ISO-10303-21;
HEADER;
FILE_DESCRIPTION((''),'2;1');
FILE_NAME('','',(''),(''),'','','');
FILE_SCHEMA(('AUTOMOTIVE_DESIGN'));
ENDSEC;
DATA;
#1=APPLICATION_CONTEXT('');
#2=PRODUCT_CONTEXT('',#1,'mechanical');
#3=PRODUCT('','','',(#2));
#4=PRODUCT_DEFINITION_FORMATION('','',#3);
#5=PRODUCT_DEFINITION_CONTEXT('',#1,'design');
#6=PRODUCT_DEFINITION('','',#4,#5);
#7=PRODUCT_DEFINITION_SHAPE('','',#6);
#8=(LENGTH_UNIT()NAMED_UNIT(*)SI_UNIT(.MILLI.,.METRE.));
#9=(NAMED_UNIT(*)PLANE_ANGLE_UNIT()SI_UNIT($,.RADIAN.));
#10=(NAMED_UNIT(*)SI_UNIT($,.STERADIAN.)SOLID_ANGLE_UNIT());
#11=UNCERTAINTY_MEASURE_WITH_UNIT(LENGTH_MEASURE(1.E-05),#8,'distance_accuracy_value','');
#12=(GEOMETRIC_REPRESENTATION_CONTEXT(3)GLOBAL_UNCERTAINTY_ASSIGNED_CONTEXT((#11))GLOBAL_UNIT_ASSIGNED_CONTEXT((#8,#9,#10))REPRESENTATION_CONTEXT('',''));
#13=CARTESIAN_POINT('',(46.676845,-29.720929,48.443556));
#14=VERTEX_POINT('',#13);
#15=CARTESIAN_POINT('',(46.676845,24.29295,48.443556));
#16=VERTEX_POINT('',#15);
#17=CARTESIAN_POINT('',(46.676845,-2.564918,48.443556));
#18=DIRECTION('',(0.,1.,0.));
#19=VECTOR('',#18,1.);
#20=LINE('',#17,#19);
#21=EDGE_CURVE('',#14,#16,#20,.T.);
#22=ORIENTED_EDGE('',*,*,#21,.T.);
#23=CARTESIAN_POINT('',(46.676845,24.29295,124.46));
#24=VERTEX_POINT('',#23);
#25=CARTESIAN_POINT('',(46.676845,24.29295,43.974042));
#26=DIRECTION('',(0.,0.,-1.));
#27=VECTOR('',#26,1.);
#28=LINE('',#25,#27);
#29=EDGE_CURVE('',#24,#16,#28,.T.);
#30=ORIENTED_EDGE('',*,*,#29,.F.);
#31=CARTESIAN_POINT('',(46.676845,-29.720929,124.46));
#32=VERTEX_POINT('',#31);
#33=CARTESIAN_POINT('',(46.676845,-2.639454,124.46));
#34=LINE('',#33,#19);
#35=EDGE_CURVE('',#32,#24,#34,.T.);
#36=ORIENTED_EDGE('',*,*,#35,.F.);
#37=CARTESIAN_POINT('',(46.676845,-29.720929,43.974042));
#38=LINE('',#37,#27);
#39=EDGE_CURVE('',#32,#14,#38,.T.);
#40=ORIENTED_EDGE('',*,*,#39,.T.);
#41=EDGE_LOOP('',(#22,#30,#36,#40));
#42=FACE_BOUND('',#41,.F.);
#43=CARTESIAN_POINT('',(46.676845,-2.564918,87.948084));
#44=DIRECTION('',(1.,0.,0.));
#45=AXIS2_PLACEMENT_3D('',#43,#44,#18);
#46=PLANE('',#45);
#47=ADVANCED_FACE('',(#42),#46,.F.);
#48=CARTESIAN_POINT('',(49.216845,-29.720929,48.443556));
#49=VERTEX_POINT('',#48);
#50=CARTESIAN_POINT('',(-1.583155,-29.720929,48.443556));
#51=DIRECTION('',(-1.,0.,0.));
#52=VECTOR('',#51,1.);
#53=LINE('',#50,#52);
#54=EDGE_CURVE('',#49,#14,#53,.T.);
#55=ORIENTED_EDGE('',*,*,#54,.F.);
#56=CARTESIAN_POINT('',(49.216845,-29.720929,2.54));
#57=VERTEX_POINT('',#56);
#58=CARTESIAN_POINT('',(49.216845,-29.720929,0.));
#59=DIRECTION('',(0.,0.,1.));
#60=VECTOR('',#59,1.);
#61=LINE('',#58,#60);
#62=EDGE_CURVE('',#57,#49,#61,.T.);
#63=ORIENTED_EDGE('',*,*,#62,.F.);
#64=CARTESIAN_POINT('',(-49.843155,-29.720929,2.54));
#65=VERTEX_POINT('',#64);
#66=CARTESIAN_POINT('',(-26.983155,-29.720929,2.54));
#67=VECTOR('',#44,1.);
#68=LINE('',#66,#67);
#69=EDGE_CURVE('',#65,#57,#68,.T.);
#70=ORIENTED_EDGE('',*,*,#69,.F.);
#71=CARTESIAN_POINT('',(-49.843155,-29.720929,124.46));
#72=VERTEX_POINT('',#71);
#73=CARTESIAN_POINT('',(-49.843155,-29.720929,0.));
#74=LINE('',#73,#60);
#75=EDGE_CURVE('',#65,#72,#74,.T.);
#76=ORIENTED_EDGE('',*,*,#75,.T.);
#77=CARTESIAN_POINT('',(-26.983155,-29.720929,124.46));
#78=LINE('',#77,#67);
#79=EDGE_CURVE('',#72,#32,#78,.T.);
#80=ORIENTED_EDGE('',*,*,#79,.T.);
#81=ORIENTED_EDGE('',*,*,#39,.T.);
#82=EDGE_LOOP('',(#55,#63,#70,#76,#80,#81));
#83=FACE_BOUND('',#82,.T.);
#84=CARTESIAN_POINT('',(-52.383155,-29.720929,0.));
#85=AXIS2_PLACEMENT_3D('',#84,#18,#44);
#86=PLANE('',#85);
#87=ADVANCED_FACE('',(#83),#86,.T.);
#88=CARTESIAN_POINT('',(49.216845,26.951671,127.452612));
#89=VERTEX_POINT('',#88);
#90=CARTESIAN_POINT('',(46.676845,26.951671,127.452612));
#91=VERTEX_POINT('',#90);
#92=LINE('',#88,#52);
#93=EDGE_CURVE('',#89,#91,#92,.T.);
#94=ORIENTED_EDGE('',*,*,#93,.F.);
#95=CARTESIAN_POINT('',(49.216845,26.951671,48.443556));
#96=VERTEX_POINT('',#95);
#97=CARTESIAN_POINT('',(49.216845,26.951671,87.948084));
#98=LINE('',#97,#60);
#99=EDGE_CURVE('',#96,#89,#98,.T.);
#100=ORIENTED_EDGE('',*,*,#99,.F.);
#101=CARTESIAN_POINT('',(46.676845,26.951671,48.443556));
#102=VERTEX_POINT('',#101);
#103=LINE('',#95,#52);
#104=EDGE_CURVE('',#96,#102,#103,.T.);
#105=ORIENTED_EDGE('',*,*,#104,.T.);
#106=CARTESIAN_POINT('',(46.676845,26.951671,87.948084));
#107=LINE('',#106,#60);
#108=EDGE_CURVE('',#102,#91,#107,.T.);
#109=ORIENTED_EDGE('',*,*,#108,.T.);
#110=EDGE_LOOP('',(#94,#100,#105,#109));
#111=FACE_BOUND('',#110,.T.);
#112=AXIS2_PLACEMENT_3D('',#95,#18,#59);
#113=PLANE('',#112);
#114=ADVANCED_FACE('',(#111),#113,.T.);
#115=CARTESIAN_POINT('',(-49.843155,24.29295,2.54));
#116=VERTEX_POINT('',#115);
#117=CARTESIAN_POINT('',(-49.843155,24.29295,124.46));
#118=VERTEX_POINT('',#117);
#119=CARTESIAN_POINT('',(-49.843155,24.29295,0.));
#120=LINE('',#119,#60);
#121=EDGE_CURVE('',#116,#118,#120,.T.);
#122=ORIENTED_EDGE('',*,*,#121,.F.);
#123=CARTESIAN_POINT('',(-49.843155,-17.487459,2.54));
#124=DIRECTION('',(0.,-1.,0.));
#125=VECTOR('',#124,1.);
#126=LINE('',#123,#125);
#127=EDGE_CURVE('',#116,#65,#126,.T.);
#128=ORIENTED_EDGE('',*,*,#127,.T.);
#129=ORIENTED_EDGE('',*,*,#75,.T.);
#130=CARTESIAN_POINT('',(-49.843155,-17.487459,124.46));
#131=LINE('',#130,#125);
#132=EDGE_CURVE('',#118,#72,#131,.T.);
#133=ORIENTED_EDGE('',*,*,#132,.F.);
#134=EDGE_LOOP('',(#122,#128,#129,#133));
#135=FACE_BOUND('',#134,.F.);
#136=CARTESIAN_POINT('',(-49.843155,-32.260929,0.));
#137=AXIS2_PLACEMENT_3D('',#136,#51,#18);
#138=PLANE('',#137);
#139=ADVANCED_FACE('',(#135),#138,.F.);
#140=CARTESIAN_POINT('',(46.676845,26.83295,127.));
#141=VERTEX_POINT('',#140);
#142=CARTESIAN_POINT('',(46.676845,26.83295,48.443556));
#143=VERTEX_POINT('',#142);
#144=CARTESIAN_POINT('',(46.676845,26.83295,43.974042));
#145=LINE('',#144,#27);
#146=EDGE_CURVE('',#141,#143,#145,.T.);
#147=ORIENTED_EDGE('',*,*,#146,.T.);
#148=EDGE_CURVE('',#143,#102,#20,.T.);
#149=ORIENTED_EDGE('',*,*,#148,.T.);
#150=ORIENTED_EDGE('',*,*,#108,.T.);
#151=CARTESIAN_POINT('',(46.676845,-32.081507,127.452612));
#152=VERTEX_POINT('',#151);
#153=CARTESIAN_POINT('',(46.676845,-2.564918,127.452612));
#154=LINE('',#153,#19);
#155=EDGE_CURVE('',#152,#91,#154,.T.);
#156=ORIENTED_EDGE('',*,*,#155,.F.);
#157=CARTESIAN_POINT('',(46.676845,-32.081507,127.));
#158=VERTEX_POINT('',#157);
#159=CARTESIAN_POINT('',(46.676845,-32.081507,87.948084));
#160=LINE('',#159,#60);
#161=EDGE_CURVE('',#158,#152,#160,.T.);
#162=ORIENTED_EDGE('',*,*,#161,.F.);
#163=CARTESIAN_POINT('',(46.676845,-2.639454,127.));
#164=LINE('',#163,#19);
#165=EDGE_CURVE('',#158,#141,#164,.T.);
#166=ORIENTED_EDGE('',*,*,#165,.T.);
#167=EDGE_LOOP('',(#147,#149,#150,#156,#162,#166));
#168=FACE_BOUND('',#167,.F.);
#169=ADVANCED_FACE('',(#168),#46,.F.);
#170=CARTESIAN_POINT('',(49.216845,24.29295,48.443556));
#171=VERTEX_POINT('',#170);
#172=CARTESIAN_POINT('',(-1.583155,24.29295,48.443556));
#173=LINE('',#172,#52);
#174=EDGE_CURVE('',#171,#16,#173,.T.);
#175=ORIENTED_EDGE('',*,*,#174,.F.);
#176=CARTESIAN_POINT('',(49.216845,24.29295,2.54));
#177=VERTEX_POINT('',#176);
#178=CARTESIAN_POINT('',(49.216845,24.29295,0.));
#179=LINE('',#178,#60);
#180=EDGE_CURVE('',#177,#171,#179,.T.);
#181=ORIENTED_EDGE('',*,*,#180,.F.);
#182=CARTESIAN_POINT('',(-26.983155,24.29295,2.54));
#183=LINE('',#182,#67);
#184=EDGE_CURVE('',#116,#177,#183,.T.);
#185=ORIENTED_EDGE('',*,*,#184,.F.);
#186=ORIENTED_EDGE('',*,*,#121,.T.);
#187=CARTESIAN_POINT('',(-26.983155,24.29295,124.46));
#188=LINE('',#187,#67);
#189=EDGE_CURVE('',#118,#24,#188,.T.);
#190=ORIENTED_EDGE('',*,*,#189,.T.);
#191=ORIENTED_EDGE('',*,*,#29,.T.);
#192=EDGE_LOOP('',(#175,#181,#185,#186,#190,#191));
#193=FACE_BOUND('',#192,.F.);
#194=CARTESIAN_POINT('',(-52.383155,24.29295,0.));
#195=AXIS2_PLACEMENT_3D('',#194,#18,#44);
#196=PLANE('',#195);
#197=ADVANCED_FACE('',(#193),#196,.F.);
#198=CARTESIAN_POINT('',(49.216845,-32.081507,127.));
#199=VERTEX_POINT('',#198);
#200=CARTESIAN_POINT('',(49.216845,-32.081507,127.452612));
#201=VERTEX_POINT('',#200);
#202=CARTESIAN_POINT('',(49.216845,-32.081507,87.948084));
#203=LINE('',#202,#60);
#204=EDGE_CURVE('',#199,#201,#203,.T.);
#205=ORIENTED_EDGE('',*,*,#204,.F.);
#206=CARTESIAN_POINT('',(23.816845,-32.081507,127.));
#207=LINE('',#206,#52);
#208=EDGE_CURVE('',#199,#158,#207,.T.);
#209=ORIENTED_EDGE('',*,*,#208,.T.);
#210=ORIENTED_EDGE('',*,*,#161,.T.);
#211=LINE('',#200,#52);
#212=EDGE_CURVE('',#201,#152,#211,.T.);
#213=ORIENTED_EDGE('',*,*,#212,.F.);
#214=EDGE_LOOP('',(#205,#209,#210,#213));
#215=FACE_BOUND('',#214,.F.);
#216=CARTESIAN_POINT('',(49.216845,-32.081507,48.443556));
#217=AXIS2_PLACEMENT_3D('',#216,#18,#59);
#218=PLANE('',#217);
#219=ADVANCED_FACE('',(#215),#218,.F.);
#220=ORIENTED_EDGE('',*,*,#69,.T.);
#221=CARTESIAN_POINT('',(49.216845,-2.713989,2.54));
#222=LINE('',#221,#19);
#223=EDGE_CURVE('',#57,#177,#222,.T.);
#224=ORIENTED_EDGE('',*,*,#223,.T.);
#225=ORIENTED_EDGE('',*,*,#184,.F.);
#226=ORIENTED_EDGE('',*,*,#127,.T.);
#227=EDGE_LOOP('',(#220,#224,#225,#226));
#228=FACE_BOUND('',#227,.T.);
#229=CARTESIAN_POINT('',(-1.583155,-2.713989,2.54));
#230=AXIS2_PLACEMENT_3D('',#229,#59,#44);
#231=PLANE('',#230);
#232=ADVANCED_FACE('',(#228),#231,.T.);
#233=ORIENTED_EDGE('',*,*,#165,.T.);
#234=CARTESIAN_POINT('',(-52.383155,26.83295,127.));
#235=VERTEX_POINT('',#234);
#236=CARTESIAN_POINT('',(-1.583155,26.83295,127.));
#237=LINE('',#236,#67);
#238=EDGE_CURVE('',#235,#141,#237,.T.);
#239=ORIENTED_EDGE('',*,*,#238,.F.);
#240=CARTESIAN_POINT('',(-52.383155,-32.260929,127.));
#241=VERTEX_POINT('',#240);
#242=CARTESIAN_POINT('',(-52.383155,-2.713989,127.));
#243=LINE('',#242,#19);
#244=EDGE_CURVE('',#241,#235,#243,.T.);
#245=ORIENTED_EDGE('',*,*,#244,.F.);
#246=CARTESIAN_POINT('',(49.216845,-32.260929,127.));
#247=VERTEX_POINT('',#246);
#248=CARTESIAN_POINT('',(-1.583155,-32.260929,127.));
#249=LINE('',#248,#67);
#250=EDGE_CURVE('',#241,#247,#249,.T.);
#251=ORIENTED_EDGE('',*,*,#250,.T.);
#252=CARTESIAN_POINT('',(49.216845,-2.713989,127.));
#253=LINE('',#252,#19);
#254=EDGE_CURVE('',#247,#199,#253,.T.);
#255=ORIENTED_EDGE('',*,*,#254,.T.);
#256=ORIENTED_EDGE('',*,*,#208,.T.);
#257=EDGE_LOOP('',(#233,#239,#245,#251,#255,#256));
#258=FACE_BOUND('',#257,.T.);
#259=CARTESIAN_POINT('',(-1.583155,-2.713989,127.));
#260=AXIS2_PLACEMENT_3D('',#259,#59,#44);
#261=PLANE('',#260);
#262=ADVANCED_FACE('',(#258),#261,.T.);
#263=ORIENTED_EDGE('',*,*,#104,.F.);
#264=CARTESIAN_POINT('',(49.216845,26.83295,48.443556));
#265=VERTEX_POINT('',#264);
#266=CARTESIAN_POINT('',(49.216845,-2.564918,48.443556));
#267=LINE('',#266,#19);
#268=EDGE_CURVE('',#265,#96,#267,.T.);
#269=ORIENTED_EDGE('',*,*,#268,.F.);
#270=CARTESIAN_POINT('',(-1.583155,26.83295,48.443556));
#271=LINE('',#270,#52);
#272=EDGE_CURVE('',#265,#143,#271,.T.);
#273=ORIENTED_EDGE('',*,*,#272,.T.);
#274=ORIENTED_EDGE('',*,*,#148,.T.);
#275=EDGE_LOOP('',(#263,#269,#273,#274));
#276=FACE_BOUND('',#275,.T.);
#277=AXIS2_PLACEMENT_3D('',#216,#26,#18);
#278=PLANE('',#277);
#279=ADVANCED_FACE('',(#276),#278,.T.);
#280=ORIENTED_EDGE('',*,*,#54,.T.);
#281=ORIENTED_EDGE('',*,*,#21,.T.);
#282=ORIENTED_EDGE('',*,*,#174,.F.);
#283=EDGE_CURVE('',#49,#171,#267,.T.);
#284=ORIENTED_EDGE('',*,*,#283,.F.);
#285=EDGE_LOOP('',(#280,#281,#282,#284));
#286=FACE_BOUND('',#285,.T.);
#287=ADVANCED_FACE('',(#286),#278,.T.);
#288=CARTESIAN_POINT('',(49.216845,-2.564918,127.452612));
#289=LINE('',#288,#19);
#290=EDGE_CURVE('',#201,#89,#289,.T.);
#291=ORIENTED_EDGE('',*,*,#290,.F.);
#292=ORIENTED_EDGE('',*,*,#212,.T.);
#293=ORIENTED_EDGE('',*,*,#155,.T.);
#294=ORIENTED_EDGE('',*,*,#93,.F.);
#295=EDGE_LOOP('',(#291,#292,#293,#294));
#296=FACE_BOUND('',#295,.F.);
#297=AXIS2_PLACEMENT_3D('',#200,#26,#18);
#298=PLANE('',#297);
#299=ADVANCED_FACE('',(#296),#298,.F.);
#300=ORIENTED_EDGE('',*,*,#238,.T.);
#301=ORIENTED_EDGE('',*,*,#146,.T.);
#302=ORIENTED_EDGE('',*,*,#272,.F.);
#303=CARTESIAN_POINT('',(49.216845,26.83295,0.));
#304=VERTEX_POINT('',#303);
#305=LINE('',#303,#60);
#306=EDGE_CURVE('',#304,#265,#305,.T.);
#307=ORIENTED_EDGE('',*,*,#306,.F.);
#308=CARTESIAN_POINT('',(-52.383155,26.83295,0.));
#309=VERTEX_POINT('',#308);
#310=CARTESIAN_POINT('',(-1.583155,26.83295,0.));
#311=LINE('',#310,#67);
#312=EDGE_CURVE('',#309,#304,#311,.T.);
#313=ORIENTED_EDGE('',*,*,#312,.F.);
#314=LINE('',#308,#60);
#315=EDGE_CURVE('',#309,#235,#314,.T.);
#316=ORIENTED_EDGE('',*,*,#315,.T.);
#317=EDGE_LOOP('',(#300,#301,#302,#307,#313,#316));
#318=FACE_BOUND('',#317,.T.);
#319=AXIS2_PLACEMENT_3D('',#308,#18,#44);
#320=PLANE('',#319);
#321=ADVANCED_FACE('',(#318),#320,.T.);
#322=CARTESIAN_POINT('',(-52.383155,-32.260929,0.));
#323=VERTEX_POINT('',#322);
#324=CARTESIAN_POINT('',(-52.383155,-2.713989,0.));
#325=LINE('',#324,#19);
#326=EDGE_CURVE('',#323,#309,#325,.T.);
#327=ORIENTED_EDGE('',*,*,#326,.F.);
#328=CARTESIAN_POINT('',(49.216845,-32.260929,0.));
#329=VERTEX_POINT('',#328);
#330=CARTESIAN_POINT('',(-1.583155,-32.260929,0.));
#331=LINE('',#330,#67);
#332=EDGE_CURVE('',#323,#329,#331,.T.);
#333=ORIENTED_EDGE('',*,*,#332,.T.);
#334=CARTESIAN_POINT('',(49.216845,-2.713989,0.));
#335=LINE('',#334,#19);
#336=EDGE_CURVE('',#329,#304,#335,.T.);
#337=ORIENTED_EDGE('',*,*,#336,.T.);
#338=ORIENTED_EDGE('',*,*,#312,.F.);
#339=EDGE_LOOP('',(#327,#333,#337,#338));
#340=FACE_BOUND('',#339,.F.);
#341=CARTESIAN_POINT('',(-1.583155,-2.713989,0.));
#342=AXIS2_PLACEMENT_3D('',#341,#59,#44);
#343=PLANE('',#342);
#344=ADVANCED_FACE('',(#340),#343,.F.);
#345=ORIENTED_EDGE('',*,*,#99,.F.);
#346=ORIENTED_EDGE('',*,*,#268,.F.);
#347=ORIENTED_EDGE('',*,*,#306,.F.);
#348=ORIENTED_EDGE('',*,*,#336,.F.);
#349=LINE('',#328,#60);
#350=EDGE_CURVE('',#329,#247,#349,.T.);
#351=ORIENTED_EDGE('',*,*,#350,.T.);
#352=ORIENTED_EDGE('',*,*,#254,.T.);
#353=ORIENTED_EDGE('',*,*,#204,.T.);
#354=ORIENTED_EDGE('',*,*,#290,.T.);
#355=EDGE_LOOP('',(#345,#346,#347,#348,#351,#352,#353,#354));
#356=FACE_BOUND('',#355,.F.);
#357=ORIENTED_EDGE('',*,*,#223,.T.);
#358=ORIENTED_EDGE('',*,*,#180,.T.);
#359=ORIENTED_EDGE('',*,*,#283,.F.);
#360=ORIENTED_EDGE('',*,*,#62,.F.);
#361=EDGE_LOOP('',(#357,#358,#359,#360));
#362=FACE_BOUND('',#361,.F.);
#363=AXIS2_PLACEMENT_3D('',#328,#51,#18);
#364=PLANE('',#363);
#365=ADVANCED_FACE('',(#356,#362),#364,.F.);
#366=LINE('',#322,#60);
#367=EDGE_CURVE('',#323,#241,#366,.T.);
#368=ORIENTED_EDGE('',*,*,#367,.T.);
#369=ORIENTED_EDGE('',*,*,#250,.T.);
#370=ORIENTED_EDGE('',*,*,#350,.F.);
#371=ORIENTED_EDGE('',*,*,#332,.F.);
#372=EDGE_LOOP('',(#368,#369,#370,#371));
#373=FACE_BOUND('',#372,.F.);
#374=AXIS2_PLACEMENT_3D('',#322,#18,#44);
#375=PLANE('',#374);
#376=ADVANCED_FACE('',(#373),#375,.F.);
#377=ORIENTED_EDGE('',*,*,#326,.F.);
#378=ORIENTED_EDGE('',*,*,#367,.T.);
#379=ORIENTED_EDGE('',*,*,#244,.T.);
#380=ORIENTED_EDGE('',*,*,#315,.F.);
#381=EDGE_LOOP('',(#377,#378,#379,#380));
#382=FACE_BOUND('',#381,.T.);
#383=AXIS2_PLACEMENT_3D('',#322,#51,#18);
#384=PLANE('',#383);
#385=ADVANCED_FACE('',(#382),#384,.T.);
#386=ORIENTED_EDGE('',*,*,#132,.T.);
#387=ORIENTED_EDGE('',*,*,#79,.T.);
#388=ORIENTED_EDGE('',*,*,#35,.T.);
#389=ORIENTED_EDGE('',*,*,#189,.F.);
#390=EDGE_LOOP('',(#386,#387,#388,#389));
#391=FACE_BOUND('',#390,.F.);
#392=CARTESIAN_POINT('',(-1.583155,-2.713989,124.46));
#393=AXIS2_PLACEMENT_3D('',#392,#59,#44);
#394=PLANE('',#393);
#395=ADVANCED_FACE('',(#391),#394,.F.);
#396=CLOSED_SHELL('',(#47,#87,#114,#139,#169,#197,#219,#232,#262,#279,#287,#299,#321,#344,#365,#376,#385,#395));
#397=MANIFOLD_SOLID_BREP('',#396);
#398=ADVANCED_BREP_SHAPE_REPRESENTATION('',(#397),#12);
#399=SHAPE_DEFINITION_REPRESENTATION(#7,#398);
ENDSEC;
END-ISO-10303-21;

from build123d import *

# Parameters (mm, degrees)
F0_W     = 101.6
F0_H     = 59.0938783061
F1_DEPTH = 127
F2_T     = -2.54
F4_W     = 59.033177793
F4_H     = 79.0090560913
F5_DEPTH = 2.54


with BuildPart() as f1:
    # F0 (on Top) → F1 (new body)
    with BuildSketch(Plane.XY):
        with Locations((-1.5831552446, -2.7139894664)):
            Rectangle(F0_W, F0_H)
    extrude(amount=F1_DEPTH)

    # F2
    f2_openings = [f1.faces().sort_by_distance(p)[0] for p in [
        (49.216845, -2.713989, 63.5),
    ]]
    offset(amount=F2_T, openings=f2_openings)

    # F4 (on offset) → F5 (join)
    with BuildSketch(Plane.YZ.offset(49.2168447554)):
        with Locations((-2.5649182498, 87.9480838776)):
            Rectangle(F4_W, F4_H)
    extrude(amount=-F5_DEPTH)


solid = f1.part
